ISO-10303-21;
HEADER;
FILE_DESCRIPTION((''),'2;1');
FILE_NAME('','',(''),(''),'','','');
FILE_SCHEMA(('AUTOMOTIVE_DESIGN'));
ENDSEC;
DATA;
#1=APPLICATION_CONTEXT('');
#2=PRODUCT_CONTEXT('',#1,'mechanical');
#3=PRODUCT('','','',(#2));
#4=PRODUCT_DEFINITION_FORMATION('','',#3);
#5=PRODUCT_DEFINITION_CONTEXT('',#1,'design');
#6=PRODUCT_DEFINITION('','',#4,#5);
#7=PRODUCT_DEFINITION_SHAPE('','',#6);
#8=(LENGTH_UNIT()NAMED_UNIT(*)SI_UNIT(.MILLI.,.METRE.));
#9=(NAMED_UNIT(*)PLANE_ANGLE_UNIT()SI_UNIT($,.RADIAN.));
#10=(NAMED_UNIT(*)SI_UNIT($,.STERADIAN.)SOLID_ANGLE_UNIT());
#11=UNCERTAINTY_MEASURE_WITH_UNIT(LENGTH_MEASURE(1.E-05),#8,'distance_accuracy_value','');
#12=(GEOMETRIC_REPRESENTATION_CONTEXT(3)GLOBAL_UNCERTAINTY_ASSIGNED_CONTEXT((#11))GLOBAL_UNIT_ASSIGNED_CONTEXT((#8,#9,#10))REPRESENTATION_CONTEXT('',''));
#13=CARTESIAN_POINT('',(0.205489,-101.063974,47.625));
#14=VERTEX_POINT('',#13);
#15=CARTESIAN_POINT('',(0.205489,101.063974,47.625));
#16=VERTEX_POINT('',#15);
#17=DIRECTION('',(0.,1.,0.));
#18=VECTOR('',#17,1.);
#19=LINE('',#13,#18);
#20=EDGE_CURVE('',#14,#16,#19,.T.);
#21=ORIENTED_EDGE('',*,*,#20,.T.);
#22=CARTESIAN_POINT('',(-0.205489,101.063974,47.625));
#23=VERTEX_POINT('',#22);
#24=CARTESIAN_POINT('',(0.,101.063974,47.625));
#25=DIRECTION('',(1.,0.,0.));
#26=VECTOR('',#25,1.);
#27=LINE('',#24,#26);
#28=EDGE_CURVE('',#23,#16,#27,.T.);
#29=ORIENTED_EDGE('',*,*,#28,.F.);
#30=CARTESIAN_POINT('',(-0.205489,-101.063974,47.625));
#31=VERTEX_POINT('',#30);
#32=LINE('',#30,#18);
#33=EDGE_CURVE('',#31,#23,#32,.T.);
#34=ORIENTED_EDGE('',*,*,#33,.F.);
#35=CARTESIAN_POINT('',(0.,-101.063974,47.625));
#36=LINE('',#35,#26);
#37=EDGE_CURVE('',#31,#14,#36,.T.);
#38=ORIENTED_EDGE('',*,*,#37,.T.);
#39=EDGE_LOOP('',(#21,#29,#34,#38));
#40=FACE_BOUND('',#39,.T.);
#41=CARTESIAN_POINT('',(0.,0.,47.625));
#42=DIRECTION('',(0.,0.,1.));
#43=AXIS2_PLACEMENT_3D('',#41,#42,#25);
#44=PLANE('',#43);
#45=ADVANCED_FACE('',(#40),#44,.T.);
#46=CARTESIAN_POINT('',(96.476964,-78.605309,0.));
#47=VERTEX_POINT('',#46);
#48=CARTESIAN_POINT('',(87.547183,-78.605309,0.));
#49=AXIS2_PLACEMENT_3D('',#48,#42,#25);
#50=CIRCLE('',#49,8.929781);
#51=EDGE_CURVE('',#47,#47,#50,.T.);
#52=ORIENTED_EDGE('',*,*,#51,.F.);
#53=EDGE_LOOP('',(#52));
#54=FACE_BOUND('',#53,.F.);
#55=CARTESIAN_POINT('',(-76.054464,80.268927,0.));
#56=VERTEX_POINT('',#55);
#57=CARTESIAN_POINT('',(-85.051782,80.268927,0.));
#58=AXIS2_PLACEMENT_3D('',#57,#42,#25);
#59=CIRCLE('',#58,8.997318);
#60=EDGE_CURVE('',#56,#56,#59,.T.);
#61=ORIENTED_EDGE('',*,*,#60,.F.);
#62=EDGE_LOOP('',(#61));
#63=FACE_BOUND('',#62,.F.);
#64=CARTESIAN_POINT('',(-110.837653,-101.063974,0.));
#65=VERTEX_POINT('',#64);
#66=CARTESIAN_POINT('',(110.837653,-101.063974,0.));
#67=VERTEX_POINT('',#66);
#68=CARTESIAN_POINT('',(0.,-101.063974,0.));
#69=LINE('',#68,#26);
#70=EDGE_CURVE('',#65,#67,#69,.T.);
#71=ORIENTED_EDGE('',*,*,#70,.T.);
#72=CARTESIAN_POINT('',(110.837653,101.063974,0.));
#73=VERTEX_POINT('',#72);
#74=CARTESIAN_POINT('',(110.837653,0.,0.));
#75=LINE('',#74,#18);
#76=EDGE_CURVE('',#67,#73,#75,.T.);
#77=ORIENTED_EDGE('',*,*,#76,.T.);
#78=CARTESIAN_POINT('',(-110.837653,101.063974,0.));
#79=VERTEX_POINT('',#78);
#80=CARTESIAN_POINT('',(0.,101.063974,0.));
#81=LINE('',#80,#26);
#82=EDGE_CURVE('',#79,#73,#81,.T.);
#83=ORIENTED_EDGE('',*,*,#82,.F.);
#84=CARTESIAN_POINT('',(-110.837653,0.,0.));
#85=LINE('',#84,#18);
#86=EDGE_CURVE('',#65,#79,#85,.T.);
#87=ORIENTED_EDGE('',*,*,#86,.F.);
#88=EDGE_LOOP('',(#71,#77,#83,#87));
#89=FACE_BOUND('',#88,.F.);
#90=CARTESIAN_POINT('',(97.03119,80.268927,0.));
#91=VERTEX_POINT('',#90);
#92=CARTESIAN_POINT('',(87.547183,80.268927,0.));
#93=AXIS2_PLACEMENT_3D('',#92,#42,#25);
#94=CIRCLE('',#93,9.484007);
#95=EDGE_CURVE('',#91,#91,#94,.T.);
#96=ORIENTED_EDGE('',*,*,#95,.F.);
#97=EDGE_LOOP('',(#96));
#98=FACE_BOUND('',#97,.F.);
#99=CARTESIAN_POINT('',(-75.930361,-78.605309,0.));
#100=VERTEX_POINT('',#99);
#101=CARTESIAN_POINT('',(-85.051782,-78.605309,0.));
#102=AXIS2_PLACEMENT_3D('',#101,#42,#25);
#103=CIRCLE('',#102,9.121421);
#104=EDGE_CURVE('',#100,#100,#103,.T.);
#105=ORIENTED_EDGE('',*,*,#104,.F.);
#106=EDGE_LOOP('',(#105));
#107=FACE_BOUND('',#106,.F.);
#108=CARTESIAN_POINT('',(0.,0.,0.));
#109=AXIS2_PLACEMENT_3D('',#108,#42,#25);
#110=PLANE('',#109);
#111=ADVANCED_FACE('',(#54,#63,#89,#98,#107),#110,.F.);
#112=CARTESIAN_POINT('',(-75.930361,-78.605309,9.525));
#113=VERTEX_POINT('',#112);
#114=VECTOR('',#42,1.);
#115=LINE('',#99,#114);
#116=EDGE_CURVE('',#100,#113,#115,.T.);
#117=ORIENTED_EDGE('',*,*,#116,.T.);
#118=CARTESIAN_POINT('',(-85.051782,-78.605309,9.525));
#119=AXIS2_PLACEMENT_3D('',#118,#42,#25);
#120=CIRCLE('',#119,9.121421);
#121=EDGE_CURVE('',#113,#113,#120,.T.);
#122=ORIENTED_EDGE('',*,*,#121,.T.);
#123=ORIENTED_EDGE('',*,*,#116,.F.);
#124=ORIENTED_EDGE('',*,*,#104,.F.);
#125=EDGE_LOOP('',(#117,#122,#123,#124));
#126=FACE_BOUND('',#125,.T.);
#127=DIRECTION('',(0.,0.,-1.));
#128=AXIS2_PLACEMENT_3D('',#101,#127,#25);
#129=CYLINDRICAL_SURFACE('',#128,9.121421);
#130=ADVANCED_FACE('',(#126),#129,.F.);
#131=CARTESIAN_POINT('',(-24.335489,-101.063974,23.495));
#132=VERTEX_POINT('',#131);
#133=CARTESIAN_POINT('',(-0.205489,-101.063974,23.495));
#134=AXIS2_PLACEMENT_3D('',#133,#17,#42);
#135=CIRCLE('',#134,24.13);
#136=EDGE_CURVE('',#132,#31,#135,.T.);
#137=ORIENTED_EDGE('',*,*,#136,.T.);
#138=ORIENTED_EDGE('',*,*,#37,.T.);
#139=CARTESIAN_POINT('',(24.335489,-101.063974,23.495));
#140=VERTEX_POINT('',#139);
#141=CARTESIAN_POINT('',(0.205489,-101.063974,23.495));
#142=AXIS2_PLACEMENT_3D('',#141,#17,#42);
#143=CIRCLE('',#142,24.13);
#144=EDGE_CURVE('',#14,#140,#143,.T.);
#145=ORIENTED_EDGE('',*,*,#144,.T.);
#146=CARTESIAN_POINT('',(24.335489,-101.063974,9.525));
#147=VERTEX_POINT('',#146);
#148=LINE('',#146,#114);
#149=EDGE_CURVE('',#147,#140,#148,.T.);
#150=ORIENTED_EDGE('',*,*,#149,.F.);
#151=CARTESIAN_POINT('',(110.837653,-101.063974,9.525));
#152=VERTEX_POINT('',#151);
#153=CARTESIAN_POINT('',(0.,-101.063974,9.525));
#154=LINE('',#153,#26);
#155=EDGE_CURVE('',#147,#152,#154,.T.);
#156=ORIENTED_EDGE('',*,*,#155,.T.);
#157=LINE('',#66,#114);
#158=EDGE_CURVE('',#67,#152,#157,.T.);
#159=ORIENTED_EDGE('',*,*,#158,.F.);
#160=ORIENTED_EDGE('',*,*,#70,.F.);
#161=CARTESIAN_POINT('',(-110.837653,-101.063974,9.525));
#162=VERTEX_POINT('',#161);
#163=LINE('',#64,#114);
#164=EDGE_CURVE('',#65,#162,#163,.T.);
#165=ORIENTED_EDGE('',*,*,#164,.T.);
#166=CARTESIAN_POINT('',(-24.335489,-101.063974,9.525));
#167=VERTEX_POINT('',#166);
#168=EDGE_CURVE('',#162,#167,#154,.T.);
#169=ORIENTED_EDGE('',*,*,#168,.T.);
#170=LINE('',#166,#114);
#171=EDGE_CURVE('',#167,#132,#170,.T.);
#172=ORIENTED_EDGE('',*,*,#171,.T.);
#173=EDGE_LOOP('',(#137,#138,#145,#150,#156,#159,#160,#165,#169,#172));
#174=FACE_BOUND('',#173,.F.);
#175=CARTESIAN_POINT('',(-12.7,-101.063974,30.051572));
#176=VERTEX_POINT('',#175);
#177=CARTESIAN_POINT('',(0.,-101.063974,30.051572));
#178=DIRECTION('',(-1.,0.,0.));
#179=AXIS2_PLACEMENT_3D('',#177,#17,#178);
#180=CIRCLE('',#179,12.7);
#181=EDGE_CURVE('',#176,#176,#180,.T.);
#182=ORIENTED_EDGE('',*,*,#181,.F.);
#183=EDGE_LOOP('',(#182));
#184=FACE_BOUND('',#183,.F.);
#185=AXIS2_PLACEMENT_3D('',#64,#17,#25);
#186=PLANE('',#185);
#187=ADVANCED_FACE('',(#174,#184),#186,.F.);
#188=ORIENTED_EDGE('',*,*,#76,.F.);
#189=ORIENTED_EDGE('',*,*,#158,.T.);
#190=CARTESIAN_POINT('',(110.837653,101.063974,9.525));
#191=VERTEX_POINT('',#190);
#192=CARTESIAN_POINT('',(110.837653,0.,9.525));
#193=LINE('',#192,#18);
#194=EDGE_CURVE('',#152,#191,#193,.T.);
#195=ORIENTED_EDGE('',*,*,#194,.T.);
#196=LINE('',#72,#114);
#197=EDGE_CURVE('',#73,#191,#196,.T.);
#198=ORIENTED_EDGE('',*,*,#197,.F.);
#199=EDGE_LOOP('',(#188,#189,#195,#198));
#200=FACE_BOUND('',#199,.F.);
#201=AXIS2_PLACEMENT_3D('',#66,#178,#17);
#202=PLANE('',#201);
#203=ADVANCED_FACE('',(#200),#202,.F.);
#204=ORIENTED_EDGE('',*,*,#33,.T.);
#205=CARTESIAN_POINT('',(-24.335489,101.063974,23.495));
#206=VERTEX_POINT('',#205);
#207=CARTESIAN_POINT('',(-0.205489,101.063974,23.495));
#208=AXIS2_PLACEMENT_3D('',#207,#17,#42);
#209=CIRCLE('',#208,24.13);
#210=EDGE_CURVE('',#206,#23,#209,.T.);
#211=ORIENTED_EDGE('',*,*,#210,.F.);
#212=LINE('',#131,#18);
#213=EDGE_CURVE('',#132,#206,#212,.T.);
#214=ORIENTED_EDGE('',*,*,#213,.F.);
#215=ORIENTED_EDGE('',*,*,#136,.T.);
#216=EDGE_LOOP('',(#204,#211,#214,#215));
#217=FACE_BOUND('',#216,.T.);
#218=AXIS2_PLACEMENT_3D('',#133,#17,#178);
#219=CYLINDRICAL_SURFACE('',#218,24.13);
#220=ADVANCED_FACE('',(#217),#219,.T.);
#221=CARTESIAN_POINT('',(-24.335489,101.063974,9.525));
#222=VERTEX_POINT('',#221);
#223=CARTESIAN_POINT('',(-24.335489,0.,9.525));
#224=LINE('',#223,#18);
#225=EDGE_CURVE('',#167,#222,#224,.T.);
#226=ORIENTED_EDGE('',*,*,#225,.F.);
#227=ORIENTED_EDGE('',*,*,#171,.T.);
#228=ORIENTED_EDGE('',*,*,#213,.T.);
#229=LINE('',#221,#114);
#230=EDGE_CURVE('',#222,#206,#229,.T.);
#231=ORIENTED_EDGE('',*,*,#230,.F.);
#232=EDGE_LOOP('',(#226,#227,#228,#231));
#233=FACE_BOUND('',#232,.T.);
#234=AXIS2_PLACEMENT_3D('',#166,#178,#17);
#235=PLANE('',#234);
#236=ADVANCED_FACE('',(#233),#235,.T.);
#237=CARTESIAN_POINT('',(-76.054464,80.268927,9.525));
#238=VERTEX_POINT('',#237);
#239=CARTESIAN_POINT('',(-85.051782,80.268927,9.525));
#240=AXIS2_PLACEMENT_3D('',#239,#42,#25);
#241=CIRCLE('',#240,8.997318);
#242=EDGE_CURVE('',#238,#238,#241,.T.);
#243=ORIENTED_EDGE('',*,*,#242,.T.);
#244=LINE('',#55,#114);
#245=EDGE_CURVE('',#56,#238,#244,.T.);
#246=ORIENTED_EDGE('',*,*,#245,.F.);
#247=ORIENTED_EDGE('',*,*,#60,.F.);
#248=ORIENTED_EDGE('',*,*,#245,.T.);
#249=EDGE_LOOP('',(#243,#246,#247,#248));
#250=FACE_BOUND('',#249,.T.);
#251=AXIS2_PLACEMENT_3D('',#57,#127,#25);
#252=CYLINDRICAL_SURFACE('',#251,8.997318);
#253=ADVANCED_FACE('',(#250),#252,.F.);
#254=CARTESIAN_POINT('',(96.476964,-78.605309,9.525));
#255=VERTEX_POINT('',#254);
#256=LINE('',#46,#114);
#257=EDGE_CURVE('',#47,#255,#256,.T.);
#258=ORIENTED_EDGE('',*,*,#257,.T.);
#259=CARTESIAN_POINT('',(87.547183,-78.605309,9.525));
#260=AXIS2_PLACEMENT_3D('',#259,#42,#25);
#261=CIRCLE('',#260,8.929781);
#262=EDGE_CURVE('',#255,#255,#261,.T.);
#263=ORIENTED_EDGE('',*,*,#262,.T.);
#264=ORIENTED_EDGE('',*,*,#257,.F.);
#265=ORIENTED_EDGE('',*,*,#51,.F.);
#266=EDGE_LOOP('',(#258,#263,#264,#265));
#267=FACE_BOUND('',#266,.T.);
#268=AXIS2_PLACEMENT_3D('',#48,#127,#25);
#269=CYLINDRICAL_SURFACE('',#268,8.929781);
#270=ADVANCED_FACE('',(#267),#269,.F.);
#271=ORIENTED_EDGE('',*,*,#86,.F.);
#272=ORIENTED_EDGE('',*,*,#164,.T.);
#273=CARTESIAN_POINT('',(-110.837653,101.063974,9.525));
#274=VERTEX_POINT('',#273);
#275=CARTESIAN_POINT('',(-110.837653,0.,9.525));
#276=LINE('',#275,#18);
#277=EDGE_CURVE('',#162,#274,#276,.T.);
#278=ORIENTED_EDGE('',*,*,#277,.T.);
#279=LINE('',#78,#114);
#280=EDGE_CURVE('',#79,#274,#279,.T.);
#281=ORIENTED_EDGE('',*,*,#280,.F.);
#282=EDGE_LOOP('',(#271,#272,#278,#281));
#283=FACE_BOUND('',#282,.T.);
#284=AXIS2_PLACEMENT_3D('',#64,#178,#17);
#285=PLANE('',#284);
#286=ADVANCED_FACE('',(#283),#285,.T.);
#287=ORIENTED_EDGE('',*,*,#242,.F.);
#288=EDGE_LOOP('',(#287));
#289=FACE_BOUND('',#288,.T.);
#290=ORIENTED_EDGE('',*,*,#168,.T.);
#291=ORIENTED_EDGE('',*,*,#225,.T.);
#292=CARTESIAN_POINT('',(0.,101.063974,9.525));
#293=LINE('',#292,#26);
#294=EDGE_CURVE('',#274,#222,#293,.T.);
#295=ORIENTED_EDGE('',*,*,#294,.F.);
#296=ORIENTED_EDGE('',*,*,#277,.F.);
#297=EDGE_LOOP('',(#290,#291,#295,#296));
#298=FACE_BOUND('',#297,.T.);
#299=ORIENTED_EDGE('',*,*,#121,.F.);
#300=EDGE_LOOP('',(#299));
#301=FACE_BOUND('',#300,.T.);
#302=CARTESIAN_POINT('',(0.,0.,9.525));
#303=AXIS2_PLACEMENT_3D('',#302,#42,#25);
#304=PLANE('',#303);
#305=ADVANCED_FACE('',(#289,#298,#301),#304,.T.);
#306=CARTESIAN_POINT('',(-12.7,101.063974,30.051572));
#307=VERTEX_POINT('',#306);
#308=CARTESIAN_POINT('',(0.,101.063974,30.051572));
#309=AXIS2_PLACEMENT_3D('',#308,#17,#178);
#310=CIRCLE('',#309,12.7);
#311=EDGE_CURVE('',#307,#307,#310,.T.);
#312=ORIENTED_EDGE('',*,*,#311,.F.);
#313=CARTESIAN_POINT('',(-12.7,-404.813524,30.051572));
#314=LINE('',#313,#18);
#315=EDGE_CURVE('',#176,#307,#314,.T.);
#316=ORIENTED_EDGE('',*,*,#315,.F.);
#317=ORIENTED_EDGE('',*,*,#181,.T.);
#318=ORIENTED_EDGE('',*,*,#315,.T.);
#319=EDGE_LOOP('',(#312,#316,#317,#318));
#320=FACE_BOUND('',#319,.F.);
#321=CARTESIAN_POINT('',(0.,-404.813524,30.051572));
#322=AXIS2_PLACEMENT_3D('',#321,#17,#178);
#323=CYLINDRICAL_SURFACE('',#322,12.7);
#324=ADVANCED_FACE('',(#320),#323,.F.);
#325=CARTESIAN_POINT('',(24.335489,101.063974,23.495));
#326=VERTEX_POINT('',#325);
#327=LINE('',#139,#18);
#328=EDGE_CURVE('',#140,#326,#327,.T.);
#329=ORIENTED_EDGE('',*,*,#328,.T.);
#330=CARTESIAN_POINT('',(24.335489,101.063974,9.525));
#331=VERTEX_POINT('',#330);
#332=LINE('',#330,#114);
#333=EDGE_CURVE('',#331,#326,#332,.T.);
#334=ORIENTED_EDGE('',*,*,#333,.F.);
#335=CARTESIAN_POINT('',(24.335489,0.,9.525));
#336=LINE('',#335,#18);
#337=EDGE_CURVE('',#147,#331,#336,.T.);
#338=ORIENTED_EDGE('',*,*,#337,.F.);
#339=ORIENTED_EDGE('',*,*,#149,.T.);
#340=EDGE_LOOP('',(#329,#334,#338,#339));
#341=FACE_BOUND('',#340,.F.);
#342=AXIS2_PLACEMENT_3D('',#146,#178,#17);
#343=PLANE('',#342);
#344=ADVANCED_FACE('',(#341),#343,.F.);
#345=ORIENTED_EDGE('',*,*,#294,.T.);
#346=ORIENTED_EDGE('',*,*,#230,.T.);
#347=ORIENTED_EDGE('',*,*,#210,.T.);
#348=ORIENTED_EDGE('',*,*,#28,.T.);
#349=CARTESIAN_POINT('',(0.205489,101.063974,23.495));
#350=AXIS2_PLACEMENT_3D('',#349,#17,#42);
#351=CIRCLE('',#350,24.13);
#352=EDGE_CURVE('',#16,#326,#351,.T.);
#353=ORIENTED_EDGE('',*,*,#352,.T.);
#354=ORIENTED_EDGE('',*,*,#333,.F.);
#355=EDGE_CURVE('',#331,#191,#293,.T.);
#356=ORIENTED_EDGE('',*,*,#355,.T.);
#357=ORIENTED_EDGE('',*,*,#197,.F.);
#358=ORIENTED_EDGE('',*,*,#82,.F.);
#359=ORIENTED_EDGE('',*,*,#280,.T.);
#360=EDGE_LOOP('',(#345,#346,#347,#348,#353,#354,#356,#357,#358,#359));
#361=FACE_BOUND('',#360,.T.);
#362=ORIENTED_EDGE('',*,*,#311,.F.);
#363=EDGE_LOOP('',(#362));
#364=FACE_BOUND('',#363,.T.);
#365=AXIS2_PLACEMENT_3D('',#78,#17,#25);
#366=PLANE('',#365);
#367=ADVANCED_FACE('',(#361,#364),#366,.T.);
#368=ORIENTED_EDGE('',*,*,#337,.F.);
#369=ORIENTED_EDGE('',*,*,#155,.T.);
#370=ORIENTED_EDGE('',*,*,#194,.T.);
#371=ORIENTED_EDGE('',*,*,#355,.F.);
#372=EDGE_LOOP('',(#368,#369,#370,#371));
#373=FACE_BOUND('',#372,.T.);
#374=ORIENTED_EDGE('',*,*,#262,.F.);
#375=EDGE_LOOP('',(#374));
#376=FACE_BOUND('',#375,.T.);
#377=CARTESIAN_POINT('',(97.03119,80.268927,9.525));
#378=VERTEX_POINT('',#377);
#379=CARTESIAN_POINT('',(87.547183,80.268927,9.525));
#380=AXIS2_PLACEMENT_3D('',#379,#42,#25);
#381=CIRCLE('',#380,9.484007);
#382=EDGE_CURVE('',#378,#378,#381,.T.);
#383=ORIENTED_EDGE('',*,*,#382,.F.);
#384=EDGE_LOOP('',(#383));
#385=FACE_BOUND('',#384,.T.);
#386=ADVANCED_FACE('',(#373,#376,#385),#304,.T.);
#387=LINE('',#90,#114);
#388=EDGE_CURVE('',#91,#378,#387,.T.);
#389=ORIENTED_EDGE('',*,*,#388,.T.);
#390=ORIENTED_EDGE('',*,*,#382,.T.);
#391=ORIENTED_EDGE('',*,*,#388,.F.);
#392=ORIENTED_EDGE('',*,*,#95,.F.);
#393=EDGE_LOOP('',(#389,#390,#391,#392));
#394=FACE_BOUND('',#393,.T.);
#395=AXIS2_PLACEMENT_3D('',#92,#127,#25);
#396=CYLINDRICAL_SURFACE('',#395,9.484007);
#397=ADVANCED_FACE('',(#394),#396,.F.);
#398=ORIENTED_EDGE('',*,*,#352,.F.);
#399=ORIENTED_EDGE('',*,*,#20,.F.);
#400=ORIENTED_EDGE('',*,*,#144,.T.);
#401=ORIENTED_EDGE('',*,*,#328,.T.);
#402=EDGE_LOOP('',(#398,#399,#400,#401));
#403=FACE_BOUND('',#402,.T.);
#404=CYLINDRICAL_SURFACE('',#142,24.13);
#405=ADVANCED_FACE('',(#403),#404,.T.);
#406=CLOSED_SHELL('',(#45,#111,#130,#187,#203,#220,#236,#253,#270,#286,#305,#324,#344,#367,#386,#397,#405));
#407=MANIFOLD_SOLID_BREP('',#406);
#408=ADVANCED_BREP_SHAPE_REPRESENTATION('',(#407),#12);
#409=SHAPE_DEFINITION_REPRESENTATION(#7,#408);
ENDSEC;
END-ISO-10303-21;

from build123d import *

# Parameters (mm, degrees)
F0_W     = 221.675306
F0_H     = 202.127948
F0_R     = 9.121421
F0_R_2   = 8.929781
F0_R_3   = 8.997318
F0_R_4   = 9.484007
F1_DEPTH = 9.525
F2_W     = 48.670978
F2_H     = 202.127948
F3_DEPTH = 38.1
F5_D     = 25.4
F6_R     = 24.13


with BuildPart() as f1:
    # F0 (on Top) → F1 (new body)
    with BuildSketch(Plane.XY):
        Rectangle(F0_W, F0_H)
        with Locations((-85.051782, -78.605309)):
            Circle(F0_R, mode=Mode.SUBTRACT)
        with Locations((87.547183, -78.605309)):
            Circle(F0_R_2, mode=Mode.SUBTRACT)
        with Locations((-85.051782, 80.268927)):
            Circle(F0_R_3, mode=Mode.SUBTRACT)
        with Locations((87.547183, 80.268927)):
            Circle(F0_R_4, mode=Mode.SUBTRACT)
    extrude(amount=F1_DEPTH)

    # F2 (on face) → F3 (join)
    with BuildSketch(Plane.XY.offset(9.525)):
        Rectangle(F2_W, F2_H)
    extrude(amount=F3_DEPTH)

    # F5 (through all)
    with Locations(Plane.XZ.offset(101.063974)):
        with Locations((0, 30.051572)):
            Hole(F5_D / 2)

    # F6
    f6_edges = [f1.edges().sort_by_distance(p)[0] for p in [
        (-24.335489, 0, 47.625),
        (24.335489, 0, 47.625),
    ]]
    fillet(f6_edges, radius=F6_R)


solid = f1.part
